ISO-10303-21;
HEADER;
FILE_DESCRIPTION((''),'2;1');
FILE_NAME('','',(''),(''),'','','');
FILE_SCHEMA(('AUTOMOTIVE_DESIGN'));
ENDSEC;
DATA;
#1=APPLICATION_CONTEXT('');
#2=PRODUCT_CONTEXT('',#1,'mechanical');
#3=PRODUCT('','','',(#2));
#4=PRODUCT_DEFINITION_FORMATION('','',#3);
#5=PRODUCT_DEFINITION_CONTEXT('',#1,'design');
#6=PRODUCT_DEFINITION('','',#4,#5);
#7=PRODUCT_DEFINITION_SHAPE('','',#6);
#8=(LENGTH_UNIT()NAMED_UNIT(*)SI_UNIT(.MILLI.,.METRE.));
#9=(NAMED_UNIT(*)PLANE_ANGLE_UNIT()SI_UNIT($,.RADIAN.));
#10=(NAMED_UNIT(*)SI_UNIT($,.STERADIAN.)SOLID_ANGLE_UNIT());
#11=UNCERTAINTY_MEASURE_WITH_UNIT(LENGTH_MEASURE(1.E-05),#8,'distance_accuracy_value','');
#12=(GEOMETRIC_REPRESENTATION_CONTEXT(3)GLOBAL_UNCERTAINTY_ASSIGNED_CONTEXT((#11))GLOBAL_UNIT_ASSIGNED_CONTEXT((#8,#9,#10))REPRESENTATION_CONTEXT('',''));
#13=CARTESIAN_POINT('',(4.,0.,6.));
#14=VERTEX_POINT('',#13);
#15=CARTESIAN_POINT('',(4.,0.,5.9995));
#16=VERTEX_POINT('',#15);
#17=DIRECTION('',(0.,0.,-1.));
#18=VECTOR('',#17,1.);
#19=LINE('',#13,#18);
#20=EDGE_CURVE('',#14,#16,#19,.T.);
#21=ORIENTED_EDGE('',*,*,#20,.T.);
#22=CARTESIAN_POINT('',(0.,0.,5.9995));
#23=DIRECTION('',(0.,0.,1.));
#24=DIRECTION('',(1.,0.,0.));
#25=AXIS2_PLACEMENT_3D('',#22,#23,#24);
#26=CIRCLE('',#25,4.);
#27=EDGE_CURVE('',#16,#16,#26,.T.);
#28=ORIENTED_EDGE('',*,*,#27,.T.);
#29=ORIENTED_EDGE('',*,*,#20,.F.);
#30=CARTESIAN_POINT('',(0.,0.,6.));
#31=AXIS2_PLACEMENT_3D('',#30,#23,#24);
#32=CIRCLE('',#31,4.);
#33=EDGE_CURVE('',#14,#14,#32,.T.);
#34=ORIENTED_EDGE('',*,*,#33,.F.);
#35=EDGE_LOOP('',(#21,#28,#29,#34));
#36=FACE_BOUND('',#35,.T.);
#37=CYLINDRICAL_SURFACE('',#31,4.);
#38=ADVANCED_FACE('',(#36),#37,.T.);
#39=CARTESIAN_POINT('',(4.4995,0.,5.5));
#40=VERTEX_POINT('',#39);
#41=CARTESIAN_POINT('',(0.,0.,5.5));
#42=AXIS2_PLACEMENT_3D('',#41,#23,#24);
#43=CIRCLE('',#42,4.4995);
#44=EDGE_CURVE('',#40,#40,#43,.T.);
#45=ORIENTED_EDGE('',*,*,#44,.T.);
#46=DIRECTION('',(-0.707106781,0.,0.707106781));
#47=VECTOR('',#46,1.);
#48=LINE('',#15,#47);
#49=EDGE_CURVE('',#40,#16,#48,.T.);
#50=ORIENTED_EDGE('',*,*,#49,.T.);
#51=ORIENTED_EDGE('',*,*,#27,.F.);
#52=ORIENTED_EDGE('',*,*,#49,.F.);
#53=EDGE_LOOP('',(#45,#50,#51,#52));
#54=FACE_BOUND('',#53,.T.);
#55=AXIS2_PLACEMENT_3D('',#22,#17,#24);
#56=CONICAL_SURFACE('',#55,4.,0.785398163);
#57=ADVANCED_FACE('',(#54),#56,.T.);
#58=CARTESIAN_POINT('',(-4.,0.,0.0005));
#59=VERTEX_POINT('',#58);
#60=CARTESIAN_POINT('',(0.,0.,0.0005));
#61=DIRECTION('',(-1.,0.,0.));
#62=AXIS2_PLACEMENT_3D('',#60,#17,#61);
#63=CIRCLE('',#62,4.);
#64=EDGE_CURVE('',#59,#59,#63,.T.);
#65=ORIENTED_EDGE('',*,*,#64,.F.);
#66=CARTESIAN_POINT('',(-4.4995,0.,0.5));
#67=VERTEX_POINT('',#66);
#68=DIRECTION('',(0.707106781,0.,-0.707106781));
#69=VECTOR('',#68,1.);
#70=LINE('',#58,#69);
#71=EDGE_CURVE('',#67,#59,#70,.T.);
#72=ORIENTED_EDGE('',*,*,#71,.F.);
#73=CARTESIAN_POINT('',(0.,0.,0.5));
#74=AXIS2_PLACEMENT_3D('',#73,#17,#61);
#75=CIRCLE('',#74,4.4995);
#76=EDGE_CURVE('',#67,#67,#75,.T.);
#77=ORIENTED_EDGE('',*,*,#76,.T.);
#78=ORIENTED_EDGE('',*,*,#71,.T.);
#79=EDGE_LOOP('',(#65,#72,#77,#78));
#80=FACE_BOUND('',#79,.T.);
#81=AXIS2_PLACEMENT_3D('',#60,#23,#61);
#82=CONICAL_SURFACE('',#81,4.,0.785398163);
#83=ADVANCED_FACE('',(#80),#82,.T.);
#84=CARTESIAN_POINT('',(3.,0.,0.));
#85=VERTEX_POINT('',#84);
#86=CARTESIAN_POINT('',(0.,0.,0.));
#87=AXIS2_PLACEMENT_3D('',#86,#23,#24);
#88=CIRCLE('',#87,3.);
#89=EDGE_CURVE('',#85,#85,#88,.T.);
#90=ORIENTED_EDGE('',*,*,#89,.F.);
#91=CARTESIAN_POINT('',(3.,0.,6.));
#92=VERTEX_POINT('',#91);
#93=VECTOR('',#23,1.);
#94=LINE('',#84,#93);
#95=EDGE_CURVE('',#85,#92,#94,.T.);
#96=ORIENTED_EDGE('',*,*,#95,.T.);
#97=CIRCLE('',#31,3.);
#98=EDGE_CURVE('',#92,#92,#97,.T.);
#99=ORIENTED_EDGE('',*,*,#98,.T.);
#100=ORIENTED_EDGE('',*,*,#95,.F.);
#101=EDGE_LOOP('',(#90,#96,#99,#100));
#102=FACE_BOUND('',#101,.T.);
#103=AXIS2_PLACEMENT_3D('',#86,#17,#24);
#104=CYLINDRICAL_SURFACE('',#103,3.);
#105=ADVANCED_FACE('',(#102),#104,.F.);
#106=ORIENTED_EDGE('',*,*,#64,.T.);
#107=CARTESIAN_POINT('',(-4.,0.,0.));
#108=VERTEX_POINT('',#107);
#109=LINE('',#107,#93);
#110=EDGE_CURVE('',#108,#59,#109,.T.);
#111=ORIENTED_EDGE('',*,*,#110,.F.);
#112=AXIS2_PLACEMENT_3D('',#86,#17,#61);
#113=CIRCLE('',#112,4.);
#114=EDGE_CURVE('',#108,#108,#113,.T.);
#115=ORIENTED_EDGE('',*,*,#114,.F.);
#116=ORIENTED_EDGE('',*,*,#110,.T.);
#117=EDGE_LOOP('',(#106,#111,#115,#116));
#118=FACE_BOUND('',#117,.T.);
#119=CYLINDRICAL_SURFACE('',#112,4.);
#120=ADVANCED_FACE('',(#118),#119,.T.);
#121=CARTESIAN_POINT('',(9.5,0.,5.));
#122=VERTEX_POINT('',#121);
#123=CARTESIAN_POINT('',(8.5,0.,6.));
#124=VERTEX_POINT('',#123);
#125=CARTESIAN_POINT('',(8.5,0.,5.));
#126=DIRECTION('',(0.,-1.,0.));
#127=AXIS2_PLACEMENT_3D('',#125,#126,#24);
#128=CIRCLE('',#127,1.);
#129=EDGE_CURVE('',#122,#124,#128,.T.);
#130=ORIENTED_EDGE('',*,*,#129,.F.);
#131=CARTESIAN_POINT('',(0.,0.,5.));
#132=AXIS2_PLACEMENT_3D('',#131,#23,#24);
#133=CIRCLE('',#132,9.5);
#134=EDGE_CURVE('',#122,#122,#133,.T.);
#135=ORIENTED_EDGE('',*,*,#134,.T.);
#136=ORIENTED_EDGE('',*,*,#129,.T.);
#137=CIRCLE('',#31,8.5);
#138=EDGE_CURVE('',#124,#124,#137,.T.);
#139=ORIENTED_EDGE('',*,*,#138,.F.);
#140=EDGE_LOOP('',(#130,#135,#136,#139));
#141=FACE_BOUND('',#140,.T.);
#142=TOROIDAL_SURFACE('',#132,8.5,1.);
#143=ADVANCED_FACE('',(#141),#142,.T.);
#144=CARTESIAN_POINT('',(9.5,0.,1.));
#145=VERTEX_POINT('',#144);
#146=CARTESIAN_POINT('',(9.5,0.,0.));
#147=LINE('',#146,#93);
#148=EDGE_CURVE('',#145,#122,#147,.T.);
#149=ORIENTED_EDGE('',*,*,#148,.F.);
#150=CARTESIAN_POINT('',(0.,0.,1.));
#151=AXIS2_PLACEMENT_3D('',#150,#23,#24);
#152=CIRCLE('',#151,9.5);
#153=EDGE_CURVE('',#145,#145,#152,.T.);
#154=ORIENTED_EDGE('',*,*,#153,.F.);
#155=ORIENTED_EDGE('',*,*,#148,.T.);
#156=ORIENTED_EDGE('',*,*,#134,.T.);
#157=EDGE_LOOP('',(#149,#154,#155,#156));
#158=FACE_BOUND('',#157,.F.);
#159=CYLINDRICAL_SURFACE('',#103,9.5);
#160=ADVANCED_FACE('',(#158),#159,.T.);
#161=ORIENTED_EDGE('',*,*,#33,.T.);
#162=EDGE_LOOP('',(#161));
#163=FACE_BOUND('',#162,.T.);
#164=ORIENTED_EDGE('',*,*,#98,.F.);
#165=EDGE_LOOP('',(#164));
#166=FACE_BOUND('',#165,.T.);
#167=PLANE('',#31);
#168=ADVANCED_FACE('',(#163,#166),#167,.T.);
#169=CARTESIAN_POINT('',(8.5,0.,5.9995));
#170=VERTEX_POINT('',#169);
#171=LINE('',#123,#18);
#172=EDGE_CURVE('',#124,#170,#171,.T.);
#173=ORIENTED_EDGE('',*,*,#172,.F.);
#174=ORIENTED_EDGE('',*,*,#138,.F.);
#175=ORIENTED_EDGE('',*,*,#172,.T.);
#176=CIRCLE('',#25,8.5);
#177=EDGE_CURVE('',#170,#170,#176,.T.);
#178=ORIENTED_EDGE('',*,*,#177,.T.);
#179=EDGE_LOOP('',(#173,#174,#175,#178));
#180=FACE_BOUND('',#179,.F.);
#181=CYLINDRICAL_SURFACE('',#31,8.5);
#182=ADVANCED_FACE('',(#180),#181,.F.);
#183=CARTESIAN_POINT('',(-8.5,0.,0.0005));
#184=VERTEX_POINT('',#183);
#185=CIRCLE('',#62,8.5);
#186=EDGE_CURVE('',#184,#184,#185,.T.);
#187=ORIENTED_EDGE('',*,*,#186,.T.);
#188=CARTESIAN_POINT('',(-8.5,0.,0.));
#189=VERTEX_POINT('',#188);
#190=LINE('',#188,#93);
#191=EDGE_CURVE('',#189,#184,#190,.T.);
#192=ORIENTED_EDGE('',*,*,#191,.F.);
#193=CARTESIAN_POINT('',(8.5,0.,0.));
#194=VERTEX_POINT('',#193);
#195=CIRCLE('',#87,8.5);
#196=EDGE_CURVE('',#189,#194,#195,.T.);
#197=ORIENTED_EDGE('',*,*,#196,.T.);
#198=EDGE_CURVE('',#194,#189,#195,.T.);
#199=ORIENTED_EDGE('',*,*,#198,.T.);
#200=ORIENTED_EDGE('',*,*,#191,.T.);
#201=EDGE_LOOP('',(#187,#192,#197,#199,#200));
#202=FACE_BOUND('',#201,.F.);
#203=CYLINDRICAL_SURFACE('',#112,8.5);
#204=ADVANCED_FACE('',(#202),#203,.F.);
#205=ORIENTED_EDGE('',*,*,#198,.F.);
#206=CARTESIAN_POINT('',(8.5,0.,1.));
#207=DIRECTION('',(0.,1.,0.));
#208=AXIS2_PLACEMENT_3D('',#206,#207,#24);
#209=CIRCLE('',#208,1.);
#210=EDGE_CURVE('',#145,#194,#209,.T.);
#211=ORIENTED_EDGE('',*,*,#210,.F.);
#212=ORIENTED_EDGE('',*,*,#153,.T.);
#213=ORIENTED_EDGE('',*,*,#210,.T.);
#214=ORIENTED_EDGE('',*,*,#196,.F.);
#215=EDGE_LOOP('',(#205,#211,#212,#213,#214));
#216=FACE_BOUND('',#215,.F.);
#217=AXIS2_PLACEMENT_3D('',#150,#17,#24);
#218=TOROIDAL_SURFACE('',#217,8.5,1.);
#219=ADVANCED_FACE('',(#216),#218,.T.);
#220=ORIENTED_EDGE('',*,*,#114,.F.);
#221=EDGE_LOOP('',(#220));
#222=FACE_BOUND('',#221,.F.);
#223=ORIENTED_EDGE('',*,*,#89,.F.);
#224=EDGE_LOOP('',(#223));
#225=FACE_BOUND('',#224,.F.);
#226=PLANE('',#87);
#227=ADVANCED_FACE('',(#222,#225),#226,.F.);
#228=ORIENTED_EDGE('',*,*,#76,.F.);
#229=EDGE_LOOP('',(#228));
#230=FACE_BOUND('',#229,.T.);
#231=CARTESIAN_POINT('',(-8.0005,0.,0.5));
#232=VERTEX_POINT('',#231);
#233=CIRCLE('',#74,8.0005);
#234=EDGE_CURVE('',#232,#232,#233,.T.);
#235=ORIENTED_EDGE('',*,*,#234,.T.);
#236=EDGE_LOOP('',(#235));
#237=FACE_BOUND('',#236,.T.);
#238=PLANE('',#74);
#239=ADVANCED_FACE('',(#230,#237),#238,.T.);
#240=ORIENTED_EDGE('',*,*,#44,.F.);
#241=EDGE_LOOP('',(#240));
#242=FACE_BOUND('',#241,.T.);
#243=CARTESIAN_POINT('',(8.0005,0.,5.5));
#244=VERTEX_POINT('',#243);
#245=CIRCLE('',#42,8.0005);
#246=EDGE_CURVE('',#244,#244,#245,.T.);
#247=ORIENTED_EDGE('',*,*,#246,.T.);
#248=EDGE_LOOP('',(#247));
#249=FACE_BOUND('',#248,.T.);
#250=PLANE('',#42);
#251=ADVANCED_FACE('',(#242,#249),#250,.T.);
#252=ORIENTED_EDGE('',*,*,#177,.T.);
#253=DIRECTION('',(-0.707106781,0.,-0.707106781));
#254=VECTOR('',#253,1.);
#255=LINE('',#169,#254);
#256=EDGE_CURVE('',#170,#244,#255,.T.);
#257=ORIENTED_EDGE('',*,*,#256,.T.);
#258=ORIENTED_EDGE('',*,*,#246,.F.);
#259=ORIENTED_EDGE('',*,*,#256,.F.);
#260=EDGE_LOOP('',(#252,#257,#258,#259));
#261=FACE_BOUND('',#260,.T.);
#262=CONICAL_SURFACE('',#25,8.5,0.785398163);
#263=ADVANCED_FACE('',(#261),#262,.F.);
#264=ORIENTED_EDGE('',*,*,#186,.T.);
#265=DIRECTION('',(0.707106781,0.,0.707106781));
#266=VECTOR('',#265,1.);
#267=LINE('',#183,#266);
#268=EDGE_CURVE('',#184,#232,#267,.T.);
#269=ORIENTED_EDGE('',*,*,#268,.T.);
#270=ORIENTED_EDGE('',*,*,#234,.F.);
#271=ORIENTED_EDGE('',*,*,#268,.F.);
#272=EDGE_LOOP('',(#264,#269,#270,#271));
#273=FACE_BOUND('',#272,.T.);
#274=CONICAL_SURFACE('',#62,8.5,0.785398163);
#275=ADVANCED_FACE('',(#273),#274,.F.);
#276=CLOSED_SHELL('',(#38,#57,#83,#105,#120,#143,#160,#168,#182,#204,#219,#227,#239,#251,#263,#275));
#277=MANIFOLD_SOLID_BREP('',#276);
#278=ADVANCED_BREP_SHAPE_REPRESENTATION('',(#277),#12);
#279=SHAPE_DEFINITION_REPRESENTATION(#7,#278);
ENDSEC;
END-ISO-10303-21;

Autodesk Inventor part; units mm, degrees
ref_plane "YZ Plane" through (0, 0, 0) normal (1, 0, 0) x (0, 1, 0)
ref_plane "XZ Plane" through (0, 0, 0) normal (0, 1, 0) x (-1, 0, 0)
ref_plane "XY Plane" through (0, 0, 0) normal (0, 0, 1) x (1, 0, 0)
sketch "Esquisse1" plane through (0, 0, 0) normal (0, 0, 1) x (1, 0, 0)
  circle A0 centre (0, 0) radius 9.5
  circle A1 centre (0, 0) radius 3
  dimension "d0" = 6
  dimension "d1" = 19
extrude "Extrusion1" add sketch "Esquisse1" along normal blind 6
fillet "Congé1" radius 1 2 edges at (-9.5, 0, 6) (-9.5, 0, 0)
sketch "Esquisse2" plane through (0, 0, 6) normal (0, 0, 1) x (1, 0, 0)
  circle A0 centre (0, 0) radius 4
  circle A1 centre (0, 0) radius 8.5
  dimension "d5" = 8
  dimension "d6" = 17
extrude "Extrusion2" cut sketch "Esquisse2" against normal blind 0.5
sketch "Esquisse3" plane through (0, 0, 0) normal (0, 0, -1) x (-1, 0, 0)
  circle A0 centre (0, 0) radius 4
  circle A1 centre (0, 0) radius 8.5
extrude "Extrusion3" cut sketch "Esquisse3" against normal blind 0.5
chamfer "Chanfrein3" distance 0.5 angle 45 2 edges at (-4, 0, 5.5) (-8.5, 0, 5.5)
chamfer "Chanfrein4" distance 0.5 angle 45 2 edges at (8.5, 0, 0.5) (4, 0, 0.5)
properties part number "Roulement"
